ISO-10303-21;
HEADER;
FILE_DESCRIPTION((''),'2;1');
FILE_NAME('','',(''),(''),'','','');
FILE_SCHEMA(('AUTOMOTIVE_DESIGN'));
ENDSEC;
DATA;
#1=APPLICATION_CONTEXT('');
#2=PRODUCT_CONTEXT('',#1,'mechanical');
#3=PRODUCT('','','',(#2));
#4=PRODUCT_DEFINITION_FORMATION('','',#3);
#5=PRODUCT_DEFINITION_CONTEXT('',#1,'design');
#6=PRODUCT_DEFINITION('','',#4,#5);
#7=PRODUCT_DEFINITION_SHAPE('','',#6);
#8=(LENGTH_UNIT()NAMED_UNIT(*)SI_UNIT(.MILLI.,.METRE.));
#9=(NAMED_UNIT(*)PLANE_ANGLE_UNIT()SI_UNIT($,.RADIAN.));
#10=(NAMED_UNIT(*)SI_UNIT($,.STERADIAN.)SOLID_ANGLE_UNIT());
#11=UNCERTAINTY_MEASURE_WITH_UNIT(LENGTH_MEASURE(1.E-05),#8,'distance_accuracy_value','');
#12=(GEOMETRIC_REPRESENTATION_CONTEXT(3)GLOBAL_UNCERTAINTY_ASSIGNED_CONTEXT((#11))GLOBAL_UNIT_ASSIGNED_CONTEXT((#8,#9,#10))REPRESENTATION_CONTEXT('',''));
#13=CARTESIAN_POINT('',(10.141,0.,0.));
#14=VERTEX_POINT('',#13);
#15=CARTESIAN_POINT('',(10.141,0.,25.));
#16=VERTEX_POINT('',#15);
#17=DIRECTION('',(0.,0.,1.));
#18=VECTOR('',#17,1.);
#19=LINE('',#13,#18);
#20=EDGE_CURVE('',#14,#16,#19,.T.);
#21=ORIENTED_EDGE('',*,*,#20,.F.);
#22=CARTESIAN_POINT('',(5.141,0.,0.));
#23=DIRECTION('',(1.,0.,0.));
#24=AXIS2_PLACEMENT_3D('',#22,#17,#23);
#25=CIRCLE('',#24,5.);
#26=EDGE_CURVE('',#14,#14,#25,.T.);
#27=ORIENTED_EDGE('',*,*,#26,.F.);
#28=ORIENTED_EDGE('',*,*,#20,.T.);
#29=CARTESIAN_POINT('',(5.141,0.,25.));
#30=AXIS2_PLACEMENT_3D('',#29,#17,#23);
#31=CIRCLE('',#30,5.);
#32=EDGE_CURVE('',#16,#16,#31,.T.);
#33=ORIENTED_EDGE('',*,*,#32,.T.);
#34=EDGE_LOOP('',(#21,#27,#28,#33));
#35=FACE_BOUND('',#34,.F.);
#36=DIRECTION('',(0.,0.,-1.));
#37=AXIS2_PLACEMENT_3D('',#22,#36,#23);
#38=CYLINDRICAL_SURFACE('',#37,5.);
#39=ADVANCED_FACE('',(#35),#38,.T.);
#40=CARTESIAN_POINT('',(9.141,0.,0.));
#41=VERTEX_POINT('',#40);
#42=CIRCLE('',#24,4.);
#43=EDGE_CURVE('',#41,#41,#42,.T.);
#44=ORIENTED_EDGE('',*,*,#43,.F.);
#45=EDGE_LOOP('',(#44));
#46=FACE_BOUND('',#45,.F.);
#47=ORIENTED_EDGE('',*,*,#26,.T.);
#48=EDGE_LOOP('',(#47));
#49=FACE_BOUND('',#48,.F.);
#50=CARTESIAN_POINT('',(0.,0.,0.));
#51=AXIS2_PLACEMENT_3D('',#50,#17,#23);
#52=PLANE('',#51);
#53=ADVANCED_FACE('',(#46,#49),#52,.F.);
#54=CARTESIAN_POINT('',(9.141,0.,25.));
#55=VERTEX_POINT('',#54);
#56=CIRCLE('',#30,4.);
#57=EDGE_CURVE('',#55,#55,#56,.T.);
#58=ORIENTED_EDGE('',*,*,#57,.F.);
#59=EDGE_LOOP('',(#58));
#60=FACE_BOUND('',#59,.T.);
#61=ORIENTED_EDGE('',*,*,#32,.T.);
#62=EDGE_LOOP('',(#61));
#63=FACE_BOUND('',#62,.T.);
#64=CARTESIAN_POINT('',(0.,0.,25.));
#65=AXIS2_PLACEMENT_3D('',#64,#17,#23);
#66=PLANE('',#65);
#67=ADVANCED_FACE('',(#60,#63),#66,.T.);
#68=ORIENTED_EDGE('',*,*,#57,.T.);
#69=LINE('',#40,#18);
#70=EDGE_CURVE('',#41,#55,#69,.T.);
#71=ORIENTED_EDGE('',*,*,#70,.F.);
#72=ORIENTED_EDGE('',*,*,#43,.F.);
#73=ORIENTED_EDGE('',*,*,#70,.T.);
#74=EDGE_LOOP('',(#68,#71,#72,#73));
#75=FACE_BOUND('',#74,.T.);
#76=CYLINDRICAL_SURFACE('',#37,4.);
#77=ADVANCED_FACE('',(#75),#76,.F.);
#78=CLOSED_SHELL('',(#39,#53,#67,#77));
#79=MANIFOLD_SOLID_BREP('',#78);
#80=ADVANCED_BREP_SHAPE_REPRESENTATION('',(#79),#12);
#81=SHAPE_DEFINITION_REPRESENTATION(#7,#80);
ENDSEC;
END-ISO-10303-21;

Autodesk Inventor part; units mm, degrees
ref_plane "YZ Plane" through (0, 0, 0) normal (1, 0, 0) x (0, 1, 0)
ref_plane "XZ Plane" through (0, 0, 0) normal (0, 1, 0) x (-1, 0, 0)
ref_plane "XY Plane" through (0, 0, 0) normal (0, 0, 1) x (1, 0, 0)
ref_plane "Płaszczyzna konstrukcyjna1" through (0, 0, 0) normal (0, 0, 1) x (1, 0, 0)
sketch "Szkic1" plane through (0, 0, 0) normal (0, 0, 1) x (1, 0, 0)
  circle A0 centre (5.141, 0) radius 6.282 projected
  circle A1 centre (5.141, 0) radius 4.3 projected
  circle A2 centre (5.141, 0) radius 4
  circle A3 centre (5.141, 0) radius 5
  point P0 (0, 0)
  dimension "d0" = 8
  dimension "d1" = 10
extrude "Wyciągnięcie proste1" add sketch "Szkic1" along normal blind 25 contours A1 | A3
properties part number "shaft_distance"
